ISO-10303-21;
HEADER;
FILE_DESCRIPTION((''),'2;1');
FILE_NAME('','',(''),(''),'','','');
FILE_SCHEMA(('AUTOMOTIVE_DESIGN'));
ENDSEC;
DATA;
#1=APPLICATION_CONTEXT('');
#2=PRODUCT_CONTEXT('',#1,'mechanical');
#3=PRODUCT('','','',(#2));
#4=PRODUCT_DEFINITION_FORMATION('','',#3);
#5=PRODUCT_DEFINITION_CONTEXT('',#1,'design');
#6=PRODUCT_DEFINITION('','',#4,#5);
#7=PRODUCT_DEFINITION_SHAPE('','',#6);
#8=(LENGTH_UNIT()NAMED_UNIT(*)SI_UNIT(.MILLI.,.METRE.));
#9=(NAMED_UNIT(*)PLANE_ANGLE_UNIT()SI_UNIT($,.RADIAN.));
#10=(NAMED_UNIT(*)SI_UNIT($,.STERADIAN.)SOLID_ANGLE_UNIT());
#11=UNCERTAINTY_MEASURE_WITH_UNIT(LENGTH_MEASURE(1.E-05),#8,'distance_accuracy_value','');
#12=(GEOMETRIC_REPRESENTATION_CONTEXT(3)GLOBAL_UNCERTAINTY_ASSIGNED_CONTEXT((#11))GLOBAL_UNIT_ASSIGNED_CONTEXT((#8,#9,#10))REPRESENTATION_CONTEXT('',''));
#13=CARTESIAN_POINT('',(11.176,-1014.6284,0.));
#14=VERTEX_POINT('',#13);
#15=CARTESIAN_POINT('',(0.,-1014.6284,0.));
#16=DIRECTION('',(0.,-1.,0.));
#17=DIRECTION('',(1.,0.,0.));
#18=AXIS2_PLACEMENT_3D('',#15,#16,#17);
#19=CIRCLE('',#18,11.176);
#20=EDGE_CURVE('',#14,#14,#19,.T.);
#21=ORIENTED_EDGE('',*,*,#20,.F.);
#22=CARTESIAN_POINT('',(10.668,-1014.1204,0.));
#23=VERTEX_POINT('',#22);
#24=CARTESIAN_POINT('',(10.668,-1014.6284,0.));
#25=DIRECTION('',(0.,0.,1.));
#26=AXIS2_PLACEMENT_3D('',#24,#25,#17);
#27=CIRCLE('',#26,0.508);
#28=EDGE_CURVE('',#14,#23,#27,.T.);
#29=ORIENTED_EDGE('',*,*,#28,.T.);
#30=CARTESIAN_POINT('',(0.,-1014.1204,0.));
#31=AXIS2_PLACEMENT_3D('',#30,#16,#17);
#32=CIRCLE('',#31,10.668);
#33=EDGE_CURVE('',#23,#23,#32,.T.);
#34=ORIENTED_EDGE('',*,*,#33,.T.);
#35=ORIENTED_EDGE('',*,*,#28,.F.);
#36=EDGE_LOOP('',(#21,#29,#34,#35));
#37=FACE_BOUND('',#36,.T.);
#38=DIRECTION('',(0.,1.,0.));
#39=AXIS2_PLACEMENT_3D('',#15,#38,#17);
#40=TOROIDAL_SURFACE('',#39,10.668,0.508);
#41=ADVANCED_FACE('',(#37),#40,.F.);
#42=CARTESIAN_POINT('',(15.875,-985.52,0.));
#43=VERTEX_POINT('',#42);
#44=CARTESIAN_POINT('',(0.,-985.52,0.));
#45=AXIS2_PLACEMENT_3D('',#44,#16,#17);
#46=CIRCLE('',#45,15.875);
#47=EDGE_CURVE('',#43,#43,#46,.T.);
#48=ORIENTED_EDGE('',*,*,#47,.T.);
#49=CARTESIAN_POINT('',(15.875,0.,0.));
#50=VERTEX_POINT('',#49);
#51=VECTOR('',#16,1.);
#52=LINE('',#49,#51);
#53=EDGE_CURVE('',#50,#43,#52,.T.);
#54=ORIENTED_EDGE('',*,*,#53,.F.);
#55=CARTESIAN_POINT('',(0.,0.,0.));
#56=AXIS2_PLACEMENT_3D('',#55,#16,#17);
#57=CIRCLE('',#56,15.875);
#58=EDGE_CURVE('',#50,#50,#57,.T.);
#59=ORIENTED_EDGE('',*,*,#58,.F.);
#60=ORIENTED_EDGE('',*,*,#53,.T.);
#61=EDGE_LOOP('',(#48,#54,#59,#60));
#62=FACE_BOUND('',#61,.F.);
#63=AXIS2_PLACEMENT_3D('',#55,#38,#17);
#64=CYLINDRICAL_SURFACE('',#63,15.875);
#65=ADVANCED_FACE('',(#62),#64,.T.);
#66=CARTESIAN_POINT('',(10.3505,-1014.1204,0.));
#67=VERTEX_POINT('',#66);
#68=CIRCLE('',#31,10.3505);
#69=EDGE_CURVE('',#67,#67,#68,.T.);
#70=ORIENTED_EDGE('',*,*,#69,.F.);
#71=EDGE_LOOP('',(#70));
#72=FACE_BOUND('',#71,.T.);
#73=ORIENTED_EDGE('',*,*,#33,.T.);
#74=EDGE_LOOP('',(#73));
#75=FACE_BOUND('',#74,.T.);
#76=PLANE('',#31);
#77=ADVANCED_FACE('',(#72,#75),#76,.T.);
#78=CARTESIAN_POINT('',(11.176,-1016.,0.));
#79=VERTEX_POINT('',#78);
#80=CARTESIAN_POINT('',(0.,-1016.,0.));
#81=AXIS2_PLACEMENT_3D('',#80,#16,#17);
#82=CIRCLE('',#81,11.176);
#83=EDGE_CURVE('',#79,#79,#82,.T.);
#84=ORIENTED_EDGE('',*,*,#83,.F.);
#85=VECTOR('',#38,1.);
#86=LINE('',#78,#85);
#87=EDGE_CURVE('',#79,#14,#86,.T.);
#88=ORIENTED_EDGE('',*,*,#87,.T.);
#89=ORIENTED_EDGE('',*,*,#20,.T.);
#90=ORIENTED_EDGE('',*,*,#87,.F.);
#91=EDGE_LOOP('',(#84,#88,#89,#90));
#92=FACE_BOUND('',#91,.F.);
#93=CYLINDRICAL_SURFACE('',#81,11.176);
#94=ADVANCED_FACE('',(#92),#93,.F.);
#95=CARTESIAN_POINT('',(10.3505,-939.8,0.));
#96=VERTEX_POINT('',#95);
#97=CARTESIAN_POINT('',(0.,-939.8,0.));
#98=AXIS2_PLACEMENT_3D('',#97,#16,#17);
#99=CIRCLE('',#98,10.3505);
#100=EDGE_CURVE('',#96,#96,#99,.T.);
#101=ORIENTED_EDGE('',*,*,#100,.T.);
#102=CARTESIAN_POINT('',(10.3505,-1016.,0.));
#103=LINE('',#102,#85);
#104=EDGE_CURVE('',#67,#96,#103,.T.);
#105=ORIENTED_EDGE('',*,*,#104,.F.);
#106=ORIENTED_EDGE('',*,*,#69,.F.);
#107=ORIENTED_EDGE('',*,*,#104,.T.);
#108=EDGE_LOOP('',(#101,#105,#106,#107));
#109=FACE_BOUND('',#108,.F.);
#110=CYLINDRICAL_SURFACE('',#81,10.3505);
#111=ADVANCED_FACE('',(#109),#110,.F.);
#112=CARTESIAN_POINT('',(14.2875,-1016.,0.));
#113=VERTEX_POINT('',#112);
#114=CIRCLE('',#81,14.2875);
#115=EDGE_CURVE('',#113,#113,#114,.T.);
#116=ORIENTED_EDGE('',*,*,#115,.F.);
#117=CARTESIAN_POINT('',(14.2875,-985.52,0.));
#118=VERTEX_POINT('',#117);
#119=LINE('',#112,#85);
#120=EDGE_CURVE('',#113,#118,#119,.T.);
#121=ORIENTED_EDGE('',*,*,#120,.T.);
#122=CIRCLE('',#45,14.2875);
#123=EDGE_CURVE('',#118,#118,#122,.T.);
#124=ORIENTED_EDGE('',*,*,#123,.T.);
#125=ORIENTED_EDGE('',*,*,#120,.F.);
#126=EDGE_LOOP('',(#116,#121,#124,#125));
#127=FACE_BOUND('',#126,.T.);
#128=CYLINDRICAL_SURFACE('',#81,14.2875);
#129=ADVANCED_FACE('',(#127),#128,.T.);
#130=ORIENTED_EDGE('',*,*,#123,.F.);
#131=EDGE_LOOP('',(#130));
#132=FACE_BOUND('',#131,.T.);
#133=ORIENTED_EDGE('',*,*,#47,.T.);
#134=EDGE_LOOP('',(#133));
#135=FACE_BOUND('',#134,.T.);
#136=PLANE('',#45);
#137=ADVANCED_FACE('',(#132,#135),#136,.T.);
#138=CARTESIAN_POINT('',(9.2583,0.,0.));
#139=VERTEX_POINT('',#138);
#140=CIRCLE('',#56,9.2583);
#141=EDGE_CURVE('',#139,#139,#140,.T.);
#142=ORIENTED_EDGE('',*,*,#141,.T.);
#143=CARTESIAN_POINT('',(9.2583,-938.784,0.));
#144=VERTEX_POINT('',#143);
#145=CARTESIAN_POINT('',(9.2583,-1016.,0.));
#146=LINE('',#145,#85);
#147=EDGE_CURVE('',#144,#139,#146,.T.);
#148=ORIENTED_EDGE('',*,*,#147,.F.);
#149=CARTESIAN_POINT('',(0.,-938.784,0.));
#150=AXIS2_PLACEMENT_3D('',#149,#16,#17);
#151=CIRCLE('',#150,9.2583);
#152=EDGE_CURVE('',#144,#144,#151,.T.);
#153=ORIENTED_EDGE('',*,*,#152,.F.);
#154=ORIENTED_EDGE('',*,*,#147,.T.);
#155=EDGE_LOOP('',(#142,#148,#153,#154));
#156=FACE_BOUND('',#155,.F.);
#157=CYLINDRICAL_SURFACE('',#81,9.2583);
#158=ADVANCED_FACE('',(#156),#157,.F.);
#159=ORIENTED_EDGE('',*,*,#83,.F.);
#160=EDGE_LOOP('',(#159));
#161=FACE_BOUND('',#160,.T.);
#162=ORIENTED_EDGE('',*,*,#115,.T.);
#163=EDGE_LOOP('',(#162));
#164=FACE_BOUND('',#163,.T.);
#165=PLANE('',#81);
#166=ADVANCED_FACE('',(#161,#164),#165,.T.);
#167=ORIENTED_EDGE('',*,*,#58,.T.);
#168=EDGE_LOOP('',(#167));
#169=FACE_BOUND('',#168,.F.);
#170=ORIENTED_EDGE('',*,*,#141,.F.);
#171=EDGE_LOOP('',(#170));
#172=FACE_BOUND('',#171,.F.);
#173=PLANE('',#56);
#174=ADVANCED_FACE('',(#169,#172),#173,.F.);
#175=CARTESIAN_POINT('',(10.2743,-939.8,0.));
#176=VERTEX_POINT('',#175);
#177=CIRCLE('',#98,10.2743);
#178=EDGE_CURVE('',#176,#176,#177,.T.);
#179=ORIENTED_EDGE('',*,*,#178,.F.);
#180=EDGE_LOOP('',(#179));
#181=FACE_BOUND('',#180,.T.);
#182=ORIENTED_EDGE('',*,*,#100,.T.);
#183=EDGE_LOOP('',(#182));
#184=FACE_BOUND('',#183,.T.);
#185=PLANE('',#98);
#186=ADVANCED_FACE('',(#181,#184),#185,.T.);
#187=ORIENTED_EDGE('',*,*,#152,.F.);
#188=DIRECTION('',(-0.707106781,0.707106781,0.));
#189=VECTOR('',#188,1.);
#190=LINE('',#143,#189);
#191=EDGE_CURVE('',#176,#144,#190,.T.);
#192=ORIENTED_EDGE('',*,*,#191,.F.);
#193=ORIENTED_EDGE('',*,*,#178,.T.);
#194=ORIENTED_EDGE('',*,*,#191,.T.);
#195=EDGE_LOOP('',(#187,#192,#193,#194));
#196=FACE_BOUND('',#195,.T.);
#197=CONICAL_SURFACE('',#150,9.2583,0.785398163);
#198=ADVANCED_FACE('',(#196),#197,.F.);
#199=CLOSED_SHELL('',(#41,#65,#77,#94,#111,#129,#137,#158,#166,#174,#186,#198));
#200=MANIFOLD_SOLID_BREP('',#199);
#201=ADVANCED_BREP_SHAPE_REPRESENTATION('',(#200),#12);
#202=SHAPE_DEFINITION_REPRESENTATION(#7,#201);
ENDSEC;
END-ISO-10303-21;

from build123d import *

# Parameters (mm, degrees)
F0_R      = 15.875
F1_DEPTH  = 1016
F2_R      = 11.176
F3_DEPTH  = 1.8796
F4_R      = 10.3505
F5_DEPTH  = 76.2
F6_R      = 9.2583
F7_DEPTH  = 1016.001
F8_R      = 0.508
F9_R      = 15.875
F9_R_2    = 14.2875
F10_DEPTH = 30.48
F11_SIZE  = 1.016


with BuildPart() as f1:
    # F0 (on Front) → F1 (new body)
    with BuildSketch(Plane.XZ):
        Circle(F0_R)
    extrude(amount=F1_DEPTH)

    # F2 (on face) → F3 (cut)
    with BuildSketch(Plane.XZ.offset(1016)):
        Circle(F2_R)
    extrude(amount=-F3_DEPTH, mode=Mode.SUBTRACT)

    # F4 (on face) → F5 (cut)
    with BuildSketch(Plane.XZ.offset(1016)):
        Circle(F4_R)
    extrude(amount=-F5_DEPTH, mode=Mode.SUBTRACT)

    # F6 (on face) → F7 (cut, through all)
    with BuildSketch(Plane.XZ.offset(1016)):
        Circle(F6_R)
    extrude(amount=-F7_DEPTH, mode=Mode.SUBTRACT)

    # F8
    f8_edges = [f1.edges().sort_by_distance(p)[0] for p in [
        (-11.176, -1014.1204, 0),
    ]]
    fillet(f8_edges, radius=F8_R)

    # F9 (on face) → F10 (cut)
    with BuildSketch(Plane.XZ.offset(1016)):
        Circle(F9_R)
        Circle(F9_R_2, mode=Mode.SUBTRACT)
    extrude(amount=-F10_DEPTH, mode=Mode.SUBTRACT)

    # F11
    f11_edges = [f1.edges().sort_by_distance(p)[0] for p in [
        (-9.2583, -939.8, 0),
    ]]
    chamfer(f11_edges, length=F11_SIZE)


solid = f1.part
